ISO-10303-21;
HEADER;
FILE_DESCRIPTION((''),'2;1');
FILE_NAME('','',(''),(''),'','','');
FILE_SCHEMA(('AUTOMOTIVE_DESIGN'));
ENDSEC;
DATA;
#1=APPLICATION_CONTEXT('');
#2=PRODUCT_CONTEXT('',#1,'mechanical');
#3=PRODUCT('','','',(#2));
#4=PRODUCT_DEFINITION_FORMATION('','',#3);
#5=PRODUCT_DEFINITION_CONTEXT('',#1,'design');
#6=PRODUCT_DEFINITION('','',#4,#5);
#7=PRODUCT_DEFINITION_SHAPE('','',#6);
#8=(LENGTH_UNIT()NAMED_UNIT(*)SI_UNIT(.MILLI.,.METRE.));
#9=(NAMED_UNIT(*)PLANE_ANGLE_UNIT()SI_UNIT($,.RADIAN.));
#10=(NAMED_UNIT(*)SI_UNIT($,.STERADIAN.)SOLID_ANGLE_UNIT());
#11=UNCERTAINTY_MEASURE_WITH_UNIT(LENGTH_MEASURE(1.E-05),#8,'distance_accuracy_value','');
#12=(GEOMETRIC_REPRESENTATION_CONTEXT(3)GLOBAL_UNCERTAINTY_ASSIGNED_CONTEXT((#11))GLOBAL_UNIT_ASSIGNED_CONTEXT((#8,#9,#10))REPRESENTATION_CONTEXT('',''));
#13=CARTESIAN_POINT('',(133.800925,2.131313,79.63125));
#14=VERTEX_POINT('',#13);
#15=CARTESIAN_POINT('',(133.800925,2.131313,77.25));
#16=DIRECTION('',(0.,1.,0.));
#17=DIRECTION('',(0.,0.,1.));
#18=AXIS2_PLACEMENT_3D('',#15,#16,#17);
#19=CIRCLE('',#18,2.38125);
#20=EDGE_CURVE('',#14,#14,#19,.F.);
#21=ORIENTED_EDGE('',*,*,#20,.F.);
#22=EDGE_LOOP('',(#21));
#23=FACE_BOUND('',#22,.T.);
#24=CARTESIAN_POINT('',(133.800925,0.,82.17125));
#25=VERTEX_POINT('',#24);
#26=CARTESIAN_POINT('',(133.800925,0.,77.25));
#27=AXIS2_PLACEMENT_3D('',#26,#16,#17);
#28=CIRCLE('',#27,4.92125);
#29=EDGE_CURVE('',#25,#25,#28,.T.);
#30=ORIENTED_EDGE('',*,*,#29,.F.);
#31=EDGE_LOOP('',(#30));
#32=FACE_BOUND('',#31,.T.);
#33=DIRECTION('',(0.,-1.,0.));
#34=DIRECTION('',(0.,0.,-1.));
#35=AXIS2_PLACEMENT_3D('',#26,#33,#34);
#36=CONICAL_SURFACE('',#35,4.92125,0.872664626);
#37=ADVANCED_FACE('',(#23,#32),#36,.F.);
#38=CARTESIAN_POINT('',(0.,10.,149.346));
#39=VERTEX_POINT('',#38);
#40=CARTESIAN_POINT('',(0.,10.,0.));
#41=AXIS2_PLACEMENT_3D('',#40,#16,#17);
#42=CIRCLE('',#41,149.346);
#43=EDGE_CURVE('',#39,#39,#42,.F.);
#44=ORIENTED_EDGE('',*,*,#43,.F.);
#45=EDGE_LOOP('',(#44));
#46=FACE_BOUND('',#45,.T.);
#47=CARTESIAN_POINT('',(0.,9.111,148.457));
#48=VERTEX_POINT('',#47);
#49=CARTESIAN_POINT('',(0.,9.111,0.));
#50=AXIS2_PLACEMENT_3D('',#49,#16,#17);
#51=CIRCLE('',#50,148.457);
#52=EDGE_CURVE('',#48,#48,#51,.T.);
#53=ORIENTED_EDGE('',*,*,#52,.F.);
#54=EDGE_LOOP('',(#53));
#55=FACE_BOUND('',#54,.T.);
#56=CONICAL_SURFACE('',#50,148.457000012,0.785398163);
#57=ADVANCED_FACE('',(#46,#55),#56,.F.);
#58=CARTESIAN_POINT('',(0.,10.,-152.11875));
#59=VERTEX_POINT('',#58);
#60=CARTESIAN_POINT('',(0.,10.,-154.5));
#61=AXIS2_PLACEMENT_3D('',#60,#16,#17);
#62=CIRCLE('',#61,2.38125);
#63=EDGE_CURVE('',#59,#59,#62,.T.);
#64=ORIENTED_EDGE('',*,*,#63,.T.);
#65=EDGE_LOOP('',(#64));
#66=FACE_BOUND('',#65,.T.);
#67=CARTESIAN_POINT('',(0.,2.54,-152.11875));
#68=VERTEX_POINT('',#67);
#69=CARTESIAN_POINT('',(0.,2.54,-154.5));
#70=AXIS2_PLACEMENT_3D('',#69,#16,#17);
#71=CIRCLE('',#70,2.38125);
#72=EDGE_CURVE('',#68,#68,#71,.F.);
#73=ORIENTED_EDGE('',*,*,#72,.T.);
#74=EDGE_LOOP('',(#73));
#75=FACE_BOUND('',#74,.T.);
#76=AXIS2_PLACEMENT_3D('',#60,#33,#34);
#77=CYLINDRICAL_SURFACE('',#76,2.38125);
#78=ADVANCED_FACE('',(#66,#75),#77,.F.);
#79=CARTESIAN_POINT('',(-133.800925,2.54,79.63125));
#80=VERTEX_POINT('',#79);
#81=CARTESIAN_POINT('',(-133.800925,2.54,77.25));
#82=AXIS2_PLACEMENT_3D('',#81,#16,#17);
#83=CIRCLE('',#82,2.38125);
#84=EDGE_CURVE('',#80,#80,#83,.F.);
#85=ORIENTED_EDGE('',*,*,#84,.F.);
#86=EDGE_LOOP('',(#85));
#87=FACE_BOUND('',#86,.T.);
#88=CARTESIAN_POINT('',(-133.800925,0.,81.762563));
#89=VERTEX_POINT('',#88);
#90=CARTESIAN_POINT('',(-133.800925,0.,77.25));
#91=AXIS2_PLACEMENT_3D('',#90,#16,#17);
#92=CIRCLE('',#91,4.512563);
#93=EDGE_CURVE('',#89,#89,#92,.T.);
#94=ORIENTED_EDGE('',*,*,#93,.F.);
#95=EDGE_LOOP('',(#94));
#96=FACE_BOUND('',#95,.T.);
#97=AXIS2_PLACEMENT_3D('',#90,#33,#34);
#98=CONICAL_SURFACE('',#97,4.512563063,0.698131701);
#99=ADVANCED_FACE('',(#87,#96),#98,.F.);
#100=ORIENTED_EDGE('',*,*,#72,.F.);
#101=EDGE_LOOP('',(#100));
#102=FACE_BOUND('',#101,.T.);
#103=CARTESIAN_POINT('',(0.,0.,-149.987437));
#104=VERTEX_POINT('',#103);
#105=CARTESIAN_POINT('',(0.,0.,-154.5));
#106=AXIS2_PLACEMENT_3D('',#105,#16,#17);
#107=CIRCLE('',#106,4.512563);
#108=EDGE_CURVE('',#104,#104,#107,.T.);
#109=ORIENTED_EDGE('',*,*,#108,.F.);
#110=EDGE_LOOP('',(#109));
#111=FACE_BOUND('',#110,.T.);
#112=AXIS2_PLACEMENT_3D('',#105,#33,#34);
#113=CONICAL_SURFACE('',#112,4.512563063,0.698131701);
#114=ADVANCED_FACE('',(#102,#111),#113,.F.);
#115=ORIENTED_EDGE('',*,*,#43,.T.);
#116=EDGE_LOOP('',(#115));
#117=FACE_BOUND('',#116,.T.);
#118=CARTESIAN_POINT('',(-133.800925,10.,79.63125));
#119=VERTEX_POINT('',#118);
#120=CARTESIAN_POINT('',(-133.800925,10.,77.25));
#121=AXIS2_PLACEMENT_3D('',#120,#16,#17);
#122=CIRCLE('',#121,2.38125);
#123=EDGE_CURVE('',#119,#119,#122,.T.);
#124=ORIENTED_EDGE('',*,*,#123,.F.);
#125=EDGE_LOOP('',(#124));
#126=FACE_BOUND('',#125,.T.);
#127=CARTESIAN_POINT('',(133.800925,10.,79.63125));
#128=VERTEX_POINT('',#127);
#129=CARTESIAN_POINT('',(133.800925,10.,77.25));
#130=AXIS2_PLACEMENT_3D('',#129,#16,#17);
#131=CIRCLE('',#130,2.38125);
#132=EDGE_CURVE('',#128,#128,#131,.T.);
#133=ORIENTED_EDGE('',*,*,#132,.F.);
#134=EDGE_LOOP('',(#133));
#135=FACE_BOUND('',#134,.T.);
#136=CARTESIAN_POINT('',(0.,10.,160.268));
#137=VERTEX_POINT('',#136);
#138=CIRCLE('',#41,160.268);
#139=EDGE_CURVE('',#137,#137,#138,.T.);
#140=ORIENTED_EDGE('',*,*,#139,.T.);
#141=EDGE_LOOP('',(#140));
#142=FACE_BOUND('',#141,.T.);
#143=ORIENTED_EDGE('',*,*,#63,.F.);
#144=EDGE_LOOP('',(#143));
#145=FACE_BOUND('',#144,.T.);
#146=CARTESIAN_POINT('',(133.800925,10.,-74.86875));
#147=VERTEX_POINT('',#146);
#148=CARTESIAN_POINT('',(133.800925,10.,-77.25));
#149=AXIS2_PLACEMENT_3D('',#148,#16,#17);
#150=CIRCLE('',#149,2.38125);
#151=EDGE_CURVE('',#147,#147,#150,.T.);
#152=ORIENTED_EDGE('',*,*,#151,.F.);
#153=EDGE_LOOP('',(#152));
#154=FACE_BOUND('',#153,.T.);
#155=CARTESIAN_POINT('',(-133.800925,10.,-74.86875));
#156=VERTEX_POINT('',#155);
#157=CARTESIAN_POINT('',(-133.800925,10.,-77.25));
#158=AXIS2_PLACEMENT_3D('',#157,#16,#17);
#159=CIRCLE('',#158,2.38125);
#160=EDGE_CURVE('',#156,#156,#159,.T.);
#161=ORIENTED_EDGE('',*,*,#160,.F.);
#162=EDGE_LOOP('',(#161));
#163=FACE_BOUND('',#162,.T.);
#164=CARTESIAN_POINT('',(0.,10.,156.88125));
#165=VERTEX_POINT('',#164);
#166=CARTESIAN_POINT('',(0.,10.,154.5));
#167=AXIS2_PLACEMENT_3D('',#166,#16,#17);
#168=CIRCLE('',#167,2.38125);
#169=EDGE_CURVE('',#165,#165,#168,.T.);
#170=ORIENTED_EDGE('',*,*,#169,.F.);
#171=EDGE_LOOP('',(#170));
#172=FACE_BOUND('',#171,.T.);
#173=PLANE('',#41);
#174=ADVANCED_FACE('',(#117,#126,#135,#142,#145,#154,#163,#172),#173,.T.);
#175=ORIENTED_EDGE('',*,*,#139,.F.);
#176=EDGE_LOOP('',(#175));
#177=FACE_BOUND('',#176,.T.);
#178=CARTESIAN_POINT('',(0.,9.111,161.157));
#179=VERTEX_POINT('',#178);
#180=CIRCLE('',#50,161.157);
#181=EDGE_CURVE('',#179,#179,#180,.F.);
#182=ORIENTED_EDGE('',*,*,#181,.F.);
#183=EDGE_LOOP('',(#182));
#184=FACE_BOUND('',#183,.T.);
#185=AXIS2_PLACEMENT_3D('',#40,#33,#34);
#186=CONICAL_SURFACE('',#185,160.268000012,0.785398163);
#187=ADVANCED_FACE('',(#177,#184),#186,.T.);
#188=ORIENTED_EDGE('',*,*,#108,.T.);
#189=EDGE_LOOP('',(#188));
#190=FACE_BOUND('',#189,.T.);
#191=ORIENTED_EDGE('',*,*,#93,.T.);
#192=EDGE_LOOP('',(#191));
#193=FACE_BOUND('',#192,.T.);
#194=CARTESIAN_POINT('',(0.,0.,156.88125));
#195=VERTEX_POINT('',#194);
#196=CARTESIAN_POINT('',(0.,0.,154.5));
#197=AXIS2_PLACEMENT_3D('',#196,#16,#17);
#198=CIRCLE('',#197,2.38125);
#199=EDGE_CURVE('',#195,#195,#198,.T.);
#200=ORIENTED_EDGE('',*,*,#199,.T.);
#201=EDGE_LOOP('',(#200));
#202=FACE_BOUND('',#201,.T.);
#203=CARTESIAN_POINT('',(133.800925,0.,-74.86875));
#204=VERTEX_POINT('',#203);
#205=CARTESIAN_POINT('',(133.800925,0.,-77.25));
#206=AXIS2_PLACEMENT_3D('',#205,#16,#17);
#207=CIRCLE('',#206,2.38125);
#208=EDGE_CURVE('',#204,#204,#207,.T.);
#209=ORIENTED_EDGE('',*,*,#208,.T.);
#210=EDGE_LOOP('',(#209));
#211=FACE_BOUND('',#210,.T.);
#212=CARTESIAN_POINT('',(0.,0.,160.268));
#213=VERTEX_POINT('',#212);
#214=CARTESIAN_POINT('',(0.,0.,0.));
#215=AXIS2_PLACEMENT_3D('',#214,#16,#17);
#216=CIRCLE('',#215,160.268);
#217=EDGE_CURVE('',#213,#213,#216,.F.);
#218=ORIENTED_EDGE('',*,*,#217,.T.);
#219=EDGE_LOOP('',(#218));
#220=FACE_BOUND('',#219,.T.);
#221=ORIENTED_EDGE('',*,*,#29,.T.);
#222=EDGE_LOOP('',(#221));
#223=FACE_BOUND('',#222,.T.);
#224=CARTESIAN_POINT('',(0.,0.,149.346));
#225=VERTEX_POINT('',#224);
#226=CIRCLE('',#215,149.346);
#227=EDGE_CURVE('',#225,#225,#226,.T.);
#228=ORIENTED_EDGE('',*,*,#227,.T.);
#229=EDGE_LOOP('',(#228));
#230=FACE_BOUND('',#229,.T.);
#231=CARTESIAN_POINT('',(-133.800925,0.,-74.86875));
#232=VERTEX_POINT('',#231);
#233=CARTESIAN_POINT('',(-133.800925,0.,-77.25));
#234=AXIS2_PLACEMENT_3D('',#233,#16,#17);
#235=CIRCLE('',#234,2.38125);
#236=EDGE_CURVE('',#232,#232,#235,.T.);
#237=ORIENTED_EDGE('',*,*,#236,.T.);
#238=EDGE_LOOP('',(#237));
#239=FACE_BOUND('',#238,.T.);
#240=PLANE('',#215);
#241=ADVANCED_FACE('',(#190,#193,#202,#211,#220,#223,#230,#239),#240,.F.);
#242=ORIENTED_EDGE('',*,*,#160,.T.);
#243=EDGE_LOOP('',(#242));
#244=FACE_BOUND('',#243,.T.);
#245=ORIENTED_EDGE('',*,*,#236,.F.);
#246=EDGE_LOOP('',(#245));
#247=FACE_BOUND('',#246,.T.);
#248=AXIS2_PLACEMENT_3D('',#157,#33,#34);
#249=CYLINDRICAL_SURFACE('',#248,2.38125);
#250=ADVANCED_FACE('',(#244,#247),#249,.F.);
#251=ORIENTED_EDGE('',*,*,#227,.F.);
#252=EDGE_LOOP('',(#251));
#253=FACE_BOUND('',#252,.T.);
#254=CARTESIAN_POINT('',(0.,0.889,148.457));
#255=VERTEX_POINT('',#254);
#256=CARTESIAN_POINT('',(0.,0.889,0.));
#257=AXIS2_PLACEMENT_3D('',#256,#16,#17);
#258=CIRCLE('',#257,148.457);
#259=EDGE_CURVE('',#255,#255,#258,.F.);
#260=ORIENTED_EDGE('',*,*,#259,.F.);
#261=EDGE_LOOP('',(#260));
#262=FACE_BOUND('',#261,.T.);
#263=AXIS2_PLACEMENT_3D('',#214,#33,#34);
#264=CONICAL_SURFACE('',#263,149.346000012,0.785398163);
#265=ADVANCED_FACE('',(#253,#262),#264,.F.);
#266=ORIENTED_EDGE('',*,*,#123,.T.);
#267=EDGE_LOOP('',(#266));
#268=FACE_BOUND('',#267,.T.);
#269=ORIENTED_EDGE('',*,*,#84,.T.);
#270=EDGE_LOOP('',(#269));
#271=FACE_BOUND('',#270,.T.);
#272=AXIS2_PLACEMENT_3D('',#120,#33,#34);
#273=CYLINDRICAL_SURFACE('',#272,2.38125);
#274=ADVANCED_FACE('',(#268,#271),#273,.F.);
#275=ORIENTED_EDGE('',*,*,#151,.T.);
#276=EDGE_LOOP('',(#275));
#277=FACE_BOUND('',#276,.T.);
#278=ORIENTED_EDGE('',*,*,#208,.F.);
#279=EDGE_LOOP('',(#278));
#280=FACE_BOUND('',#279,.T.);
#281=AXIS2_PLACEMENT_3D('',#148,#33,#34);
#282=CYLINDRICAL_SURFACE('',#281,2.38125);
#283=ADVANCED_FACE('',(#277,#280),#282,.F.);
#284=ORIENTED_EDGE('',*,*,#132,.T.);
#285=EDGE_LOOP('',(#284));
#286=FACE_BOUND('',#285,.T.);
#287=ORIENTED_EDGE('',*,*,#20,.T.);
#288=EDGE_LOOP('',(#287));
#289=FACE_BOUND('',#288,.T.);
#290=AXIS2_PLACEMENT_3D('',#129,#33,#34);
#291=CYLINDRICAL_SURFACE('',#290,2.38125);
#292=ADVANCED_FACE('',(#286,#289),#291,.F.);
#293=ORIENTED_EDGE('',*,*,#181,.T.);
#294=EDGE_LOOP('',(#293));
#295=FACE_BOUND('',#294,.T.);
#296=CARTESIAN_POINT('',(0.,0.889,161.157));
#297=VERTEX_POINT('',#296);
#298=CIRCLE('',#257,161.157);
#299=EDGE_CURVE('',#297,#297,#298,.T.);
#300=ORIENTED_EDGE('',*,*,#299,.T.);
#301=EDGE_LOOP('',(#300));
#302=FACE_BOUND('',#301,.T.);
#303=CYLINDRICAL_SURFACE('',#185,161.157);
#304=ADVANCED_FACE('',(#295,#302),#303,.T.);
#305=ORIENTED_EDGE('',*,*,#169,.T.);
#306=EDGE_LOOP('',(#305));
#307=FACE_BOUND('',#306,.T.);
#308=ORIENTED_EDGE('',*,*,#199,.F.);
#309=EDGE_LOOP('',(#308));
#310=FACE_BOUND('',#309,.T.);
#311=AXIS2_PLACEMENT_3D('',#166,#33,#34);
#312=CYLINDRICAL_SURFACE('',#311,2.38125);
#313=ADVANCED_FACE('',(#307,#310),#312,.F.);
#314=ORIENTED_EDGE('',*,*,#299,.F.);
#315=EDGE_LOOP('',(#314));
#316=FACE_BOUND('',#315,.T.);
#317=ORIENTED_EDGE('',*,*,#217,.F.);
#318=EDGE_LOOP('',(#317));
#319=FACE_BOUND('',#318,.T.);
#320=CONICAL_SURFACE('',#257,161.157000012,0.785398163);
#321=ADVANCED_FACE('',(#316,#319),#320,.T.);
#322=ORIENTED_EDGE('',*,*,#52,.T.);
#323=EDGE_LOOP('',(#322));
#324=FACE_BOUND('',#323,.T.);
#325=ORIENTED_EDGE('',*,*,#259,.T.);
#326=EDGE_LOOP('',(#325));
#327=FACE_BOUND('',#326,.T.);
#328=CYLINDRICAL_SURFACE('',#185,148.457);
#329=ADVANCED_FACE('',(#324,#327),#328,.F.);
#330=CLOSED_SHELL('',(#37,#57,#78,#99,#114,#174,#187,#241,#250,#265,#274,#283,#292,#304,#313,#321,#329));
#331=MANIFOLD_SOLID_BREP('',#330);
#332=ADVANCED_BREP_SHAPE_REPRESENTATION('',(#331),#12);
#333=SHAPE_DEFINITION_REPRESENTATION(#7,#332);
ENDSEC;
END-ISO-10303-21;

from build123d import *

# Parameters (mm, degrees)
SKETCH1_R             = 161.157000012
SKETCH1_R_2           = 148.457000012
SKETCH1_R_3           = 2.38125
BOSS_EXTRUDE1_DEPTH   = 10
CHAMFER1_SIZE         = 0.889
CHAMFER2_SIZE         = 2.54
CHAMFER2_SIZE2        = 2.131313063
CHAMFER2_PART_2_SIZE  = 2.54
CHAMFER2_PART_2_SIZE2 = 2.131313063
CHAMFER2_PART_3_SIZE  = 2.54
CHAMFER2_PART_3_SIZE2 = 2.131313063


with BuildPart() as part:
    # Sketch1 → Boss-Extrude1 (new body)
    with BuildSketch(Plane(origin=(0, 0, 0), x_dir=(1, 0, 0), z_dir=(0, 1, 0))):
        Circle(SKETCH1_R)
        Circle(SKETCH1_R_2, mode=Mode.SUBTRACT)
        with Locations((0, 154.5)):
            Circle(SKETCH1_R_3, mode=Mode.SUBTRACT)
        with Locations((133.800924885, 77.25)):
            Circle(SKETCH1_R_3, mode=Mode.SUBTRACT)
        with Locations((133.800924885, -77.25)):
            Circle(SKETCH1_R_3, mode=Mode.SUBTRACT)
        with Locations((0, -154.5)):
            Circle(SKETCH1_R_3, mode=Mode.SUBTRACT)
        with Locations((-133.800924885, -77.25)):
            Circle(SKETCH1_R_3, mode=Mode.SUBTRACT)
        with Locations((-133.800924885, 77.25)):
            Circle(SKETCH1_R_3, mode=Mode.SUBTRACT)
    extrude(amount=BOSS_EXTRUDE1_DEPTH)

    # Chamfer1
    chamfer1_edges = [part.edges().sort_by_distance(p)[0] for p in [
        (-161.157000012, 0, 0),
        (-161.157000012, 10, 0),
        (-148.457000012, 0, 0),
        (-148.457000012, 10, 0),
    ]]
    chamfer(chamfer1_edges, length=CHAMFER1_SIZE)

    # Chamfer2
    chamfer2_edges = [part.edges().sort_by_distance(p)[0] for p in [
        (131.419674885, 0, 77.25),
    ]]
    chamfer2_side = [part.faces().sort_by_distance(p)[0] for p in [
        (-155.734936427, 0, 0),
    ]]
    chamfer(chamfer2_edges, length=CHAMFER2_SIZE, length2=CHAMFER2_SIZE2, reference=chamfer2_side[0])

    # Chamfer2 part 2
    chamfer2_part_2_edges = [part.edges().sort_by_distance(p)[0] for p in [
        (-136.182174885, 0, 77.25),
    ]]
    chamfer2_part_2_side = [part.faces().sort_by_distance(p)[0] for p in [
        (-136.182174885, 5, 77.25),
    ]]
    chamfer(chamfer2_part_2_edges, length=CHAMFER2_PART_2_SIZE, length2=CHAMFER2_PART_2_SIZE2, reference=chamfer2_part_2_side[0])

    # Chamfer2 part 3
    chamfer2_part_3_edges = [part.edges().sort_by_distance(p)[0] for p in [
        (-2.38125, 0, -154.5),
    ]]
    chamfer2_part_3_side = [part.faces().sort_by_distance(p)[0] for p in [
        (-2.38125, 5, -154.5),
    ]]
    chamfer(chamfer2_part_3_edges, length=CHAMFER2_PART_3_SIZE, length2=CHAMFER2_PART_3_SIZE2, reference=chamfer2_part_3_side[0])


solid = part.part
